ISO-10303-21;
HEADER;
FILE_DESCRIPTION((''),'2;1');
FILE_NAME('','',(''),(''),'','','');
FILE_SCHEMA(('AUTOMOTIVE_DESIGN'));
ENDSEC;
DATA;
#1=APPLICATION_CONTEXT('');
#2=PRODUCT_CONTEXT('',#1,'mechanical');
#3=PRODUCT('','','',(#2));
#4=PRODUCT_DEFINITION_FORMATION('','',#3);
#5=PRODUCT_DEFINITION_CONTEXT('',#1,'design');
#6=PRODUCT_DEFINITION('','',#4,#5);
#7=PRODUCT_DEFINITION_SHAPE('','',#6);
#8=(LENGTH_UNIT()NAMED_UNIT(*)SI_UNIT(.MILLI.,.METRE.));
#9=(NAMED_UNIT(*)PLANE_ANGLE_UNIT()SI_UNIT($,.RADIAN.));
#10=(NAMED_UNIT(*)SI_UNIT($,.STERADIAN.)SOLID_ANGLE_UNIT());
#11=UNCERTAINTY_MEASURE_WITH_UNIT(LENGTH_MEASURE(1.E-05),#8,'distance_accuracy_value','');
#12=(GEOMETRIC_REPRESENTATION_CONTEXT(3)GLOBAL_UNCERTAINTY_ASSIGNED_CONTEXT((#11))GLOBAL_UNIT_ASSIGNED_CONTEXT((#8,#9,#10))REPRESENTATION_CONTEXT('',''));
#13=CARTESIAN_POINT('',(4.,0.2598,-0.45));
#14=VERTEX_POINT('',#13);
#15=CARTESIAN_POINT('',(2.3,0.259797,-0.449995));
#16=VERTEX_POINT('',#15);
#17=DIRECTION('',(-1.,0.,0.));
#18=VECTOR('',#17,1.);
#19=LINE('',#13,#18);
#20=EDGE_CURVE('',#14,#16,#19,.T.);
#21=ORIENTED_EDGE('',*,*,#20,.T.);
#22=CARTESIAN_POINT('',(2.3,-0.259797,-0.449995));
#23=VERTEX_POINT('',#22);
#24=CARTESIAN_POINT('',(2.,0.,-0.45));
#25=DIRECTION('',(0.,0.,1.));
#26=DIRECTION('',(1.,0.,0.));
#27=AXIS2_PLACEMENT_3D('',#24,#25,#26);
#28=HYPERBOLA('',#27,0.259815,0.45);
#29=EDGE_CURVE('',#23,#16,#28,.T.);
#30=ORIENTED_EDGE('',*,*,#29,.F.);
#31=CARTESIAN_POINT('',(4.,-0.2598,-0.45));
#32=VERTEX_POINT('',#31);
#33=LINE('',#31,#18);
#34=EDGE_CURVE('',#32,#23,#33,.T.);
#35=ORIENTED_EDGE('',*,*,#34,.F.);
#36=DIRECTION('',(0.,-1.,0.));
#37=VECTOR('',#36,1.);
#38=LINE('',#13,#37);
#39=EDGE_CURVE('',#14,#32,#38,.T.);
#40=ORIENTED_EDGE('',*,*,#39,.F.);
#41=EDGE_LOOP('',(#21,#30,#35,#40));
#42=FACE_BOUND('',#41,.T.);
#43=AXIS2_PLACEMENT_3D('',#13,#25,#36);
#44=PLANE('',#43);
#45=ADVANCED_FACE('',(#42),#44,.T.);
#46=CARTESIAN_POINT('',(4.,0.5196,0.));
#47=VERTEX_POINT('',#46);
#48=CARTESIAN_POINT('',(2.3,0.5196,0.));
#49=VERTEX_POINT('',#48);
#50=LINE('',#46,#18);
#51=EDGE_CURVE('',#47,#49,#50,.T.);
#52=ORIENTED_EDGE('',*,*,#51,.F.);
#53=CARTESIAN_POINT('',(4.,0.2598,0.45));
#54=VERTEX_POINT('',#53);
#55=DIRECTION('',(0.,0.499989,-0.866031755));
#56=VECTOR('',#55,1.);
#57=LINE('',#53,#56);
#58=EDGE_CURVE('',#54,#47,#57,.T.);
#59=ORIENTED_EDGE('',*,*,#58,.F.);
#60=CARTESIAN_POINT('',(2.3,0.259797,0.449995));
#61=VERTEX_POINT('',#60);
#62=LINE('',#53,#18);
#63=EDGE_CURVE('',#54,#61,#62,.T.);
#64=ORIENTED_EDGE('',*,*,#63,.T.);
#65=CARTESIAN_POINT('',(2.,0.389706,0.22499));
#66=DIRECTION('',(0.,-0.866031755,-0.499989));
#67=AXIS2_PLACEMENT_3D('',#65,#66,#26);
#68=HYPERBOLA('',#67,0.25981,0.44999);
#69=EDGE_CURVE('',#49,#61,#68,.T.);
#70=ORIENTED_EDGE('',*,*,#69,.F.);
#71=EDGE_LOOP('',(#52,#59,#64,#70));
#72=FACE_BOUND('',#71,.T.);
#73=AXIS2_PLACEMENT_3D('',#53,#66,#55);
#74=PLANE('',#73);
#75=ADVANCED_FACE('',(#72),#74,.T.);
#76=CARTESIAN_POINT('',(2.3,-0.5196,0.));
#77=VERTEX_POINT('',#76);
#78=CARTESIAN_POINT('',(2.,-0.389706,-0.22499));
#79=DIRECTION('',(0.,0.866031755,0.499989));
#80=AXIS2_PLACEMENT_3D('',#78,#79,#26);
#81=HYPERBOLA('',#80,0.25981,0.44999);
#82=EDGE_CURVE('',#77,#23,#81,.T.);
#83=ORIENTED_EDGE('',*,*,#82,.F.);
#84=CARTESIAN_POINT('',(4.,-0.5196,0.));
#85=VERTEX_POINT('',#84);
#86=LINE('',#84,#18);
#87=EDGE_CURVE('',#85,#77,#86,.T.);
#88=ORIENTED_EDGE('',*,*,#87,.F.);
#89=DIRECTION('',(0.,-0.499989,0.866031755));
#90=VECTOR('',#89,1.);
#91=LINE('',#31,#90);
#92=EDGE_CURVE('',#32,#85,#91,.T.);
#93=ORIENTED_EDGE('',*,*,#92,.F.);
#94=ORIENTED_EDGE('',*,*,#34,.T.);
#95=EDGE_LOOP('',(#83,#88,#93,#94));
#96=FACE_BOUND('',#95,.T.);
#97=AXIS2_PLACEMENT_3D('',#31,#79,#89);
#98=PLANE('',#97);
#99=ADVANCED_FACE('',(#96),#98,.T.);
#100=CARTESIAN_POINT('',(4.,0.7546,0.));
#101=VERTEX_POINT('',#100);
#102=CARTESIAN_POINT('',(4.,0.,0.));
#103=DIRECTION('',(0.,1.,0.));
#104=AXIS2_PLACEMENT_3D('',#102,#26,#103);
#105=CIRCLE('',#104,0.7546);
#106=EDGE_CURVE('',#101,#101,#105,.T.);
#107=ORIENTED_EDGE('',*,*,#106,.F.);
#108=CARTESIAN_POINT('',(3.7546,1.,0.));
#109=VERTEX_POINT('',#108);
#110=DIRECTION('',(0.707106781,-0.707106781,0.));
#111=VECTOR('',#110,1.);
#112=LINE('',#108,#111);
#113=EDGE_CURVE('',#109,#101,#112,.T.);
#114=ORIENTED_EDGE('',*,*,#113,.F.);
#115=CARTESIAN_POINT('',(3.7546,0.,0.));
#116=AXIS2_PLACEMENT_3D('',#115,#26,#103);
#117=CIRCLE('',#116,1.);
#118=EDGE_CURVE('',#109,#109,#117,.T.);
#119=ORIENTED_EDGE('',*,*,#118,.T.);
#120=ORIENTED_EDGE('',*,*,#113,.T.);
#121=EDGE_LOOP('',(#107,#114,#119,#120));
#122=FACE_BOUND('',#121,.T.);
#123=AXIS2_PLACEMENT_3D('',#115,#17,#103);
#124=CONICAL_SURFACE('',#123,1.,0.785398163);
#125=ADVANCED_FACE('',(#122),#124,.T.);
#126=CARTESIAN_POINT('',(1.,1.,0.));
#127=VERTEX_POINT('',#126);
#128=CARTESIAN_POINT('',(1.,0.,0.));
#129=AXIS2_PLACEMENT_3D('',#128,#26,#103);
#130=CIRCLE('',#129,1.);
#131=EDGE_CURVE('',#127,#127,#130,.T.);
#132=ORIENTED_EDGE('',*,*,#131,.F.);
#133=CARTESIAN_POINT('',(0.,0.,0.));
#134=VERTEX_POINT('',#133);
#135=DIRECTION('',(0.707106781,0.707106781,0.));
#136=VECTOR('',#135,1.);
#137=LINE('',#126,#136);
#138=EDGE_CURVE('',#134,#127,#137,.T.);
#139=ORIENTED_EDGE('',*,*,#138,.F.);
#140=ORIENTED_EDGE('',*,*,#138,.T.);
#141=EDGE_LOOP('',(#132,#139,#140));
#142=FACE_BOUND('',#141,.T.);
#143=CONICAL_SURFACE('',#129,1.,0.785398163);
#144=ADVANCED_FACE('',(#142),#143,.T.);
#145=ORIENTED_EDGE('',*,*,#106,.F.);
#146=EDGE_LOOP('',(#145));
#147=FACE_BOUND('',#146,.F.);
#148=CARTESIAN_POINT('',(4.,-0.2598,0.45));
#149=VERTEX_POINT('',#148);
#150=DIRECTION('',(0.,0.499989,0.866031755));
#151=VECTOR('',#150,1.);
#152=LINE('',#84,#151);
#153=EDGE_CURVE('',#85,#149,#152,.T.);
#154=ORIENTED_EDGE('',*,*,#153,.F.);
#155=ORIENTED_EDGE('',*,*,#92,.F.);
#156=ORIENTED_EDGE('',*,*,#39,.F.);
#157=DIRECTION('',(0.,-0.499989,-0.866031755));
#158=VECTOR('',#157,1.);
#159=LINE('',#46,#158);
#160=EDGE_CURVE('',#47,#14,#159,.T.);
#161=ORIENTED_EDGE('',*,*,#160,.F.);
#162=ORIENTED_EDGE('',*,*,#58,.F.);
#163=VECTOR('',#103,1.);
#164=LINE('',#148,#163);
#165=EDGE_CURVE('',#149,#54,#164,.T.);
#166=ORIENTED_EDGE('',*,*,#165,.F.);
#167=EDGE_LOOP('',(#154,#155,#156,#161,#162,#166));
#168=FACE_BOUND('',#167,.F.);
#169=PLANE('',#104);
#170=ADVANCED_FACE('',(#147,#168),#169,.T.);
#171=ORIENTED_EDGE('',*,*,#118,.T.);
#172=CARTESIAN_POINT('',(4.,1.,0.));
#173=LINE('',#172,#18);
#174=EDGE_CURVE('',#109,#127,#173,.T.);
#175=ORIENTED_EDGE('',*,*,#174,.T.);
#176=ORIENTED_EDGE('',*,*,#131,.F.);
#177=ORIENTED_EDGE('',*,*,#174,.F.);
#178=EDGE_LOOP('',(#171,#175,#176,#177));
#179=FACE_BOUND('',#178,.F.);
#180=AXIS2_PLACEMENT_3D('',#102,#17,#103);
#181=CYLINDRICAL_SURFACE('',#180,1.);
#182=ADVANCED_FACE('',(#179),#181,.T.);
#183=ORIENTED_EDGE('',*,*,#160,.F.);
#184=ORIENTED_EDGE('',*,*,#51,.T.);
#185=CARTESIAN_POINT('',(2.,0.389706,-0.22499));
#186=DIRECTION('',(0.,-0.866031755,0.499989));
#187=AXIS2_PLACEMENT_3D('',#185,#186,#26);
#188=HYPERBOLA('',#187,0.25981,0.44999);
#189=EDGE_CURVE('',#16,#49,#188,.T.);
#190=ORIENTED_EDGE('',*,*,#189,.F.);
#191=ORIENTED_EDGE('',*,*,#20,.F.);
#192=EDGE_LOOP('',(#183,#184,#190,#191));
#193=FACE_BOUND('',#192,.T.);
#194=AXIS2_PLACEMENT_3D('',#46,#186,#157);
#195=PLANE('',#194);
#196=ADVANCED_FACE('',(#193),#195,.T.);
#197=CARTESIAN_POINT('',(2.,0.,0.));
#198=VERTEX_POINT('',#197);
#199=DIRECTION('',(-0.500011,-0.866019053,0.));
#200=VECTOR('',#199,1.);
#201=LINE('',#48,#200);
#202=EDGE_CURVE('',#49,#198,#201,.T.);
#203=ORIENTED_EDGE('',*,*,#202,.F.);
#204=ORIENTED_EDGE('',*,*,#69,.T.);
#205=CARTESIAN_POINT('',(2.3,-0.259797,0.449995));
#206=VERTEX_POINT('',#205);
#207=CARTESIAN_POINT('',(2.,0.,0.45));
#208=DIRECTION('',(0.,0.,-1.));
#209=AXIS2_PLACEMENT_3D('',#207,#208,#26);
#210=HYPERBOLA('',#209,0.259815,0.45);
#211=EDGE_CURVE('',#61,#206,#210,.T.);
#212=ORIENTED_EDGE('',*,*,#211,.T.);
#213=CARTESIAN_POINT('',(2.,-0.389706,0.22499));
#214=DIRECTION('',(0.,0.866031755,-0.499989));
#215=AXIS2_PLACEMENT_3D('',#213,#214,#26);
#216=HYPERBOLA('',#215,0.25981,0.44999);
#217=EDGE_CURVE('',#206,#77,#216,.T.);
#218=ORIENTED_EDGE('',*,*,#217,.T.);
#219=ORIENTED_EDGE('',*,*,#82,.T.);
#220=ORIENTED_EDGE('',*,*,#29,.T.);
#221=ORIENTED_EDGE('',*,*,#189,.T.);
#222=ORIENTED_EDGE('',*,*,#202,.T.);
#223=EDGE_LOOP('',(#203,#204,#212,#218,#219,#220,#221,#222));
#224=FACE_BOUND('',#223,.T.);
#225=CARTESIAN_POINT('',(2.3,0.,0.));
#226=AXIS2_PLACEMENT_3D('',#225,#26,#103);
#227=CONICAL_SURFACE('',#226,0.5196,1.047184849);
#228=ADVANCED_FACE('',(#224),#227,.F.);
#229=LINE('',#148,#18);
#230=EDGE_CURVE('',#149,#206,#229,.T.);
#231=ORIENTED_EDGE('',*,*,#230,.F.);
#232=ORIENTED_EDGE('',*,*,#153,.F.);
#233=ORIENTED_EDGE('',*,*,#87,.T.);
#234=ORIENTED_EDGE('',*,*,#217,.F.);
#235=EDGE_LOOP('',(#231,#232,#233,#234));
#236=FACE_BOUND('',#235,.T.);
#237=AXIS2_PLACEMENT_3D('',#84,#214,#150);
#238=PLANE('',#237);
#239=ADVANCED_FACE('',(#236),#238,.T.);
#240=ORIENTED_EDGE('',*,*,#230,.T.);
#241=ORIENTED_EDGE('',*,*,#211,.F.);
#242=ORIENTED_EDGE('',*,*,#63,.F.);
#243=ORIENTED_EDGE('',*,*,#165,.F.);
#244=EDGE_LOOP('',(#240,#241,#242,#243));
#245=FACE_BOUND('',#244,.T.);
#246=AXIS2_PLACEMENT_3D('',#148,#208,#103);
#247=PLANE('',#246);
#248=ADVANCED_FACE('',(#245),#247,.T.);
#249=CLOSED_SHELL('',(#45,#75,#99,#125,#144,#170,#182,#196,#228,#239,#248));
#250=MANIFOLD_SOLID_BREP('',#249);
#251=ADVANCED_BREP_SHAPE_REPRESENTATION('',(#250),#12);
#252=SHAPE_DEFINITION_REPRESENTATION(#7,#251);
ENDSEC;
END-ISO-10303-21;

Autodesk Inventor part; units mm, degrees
ref_plane "YZ Plane" through (0, 0, 0) normal (1, 0, 0) x (0, 1, 0)
ref_plane "XZ Plane" through (0, 0, 0) normal (0, 1, 0) x (-1, 0, 0)
sketch "Esquisse1" plane through (0, 0, 0) normal (0, 0, 1) x (1, 0, 0)
  line L0 (0, 0) -> (2, 0)
  line L1 (4, 0.5196) -> (4, 1)
  line L2 (4, 1) -> (0, 1)
  line L3 (4, 0.5196) -> (2.3, 0.5196)
  line L4 (2.3, 0.5196) -> (2, 0)
  line L5 (0, -0.2) -> (0, 1.2) projected
  line L6 (0, 1) -> (0, 0)
  dimension "d0" = 1.7
  dimension "d1" = 60
  dimension "d2" = 2
  dimension "d3" = 1.0392
  dimension "d5" = 4
revolve "Corps" add sketch "Esquisse1" angle 360 about axis through (0, 0, 0) along (1, 0, 0)
sketch "Esquisse2" plane through (4, 0, 0) normal (1, 0, 0) x (0, 1, 0)
  circle A0 centre (0, 0) radius 0.5196 projected
  line L0 (-0.2598, 0.45) -> (0.2598, 0.45)
  line L1 (0.2598, 0.45) -> (0.5196, 0)
  line L2 (0.5196, 0) -> (0.2598, -0.45)
  line L3 (0.2598, -0.45) -> (-0.2598, -0.45)
  line L4 (-0.2598, -0.45) -> (-0.5196, 0)
  line L5 (-0.5196, 0) -> (-0.2598, 0.45)
  point P0 (0, 0)
  point P1 (0, 0)
extrude "Rainure" add sketch "Esquisse2" against normal up to next contours L1 A0 | A0 L2 | L0 A0 | A0 L3 | L5 A0 | A0 L4
thread "Filetage" size "M2x0.4" class "6g" standard "ISO Metric profile" length 4
chamfer "Chanfrein1" distance 1 angle 45 1 edges at (0, -1, 0) measured on face at (2.6667, 0.9871, -0.1604)
chamfer "Chanfrein2" distance 0.2454 angle 45 1 edges at (4, -1, 0) measured on face at (2.9998, 0.9871, -0.1604)
ref_plane "Work Plane1" through (2, 0, 0) normal (0, 0, 1) x (1, 0, 0)
equation "\"d0\" = INTI"
equation "\"d2\" = NND"
equation "\"d3\" = 1.1547 * SW"
equation "\"d5\" = NLG"
equation "\"d12\" = NLG"
equation "\"d9\" = FAWI"
equation "\"d10\" = -0.5 * GD1 + 0.5 * NND"
equation "\"d11\" = FAWI"
equation "\"d35\" = -0.5 * GD1 + 0.5 * NND"
equation "\"NND\" = 2"
equation "\"NLG\" = 4"
equation "\"INTI\" = 1.7"
equation "\"FAWI\" = 45deg"
equation "\"SW\" = 0.9"
equation "\"GD1\" = THREADDIA - 1.2269 * PTC"
equation "\"FAWI1\" = 45deg"
equation "\"SPD\" = 0.00001"
equation "\"GUL\" = 0.61345 * PTC"
equation "\"TOA\" = 30deg"
equation "\"THREADDIA\" = 2"
equation "\"PTC\" = 0.4"
equation "\"GAL\" = 0.61345 * PTC"
equation "\"E0\" = 1.155 * SW"
properties part number "F000" material "Acier / Stahl"
